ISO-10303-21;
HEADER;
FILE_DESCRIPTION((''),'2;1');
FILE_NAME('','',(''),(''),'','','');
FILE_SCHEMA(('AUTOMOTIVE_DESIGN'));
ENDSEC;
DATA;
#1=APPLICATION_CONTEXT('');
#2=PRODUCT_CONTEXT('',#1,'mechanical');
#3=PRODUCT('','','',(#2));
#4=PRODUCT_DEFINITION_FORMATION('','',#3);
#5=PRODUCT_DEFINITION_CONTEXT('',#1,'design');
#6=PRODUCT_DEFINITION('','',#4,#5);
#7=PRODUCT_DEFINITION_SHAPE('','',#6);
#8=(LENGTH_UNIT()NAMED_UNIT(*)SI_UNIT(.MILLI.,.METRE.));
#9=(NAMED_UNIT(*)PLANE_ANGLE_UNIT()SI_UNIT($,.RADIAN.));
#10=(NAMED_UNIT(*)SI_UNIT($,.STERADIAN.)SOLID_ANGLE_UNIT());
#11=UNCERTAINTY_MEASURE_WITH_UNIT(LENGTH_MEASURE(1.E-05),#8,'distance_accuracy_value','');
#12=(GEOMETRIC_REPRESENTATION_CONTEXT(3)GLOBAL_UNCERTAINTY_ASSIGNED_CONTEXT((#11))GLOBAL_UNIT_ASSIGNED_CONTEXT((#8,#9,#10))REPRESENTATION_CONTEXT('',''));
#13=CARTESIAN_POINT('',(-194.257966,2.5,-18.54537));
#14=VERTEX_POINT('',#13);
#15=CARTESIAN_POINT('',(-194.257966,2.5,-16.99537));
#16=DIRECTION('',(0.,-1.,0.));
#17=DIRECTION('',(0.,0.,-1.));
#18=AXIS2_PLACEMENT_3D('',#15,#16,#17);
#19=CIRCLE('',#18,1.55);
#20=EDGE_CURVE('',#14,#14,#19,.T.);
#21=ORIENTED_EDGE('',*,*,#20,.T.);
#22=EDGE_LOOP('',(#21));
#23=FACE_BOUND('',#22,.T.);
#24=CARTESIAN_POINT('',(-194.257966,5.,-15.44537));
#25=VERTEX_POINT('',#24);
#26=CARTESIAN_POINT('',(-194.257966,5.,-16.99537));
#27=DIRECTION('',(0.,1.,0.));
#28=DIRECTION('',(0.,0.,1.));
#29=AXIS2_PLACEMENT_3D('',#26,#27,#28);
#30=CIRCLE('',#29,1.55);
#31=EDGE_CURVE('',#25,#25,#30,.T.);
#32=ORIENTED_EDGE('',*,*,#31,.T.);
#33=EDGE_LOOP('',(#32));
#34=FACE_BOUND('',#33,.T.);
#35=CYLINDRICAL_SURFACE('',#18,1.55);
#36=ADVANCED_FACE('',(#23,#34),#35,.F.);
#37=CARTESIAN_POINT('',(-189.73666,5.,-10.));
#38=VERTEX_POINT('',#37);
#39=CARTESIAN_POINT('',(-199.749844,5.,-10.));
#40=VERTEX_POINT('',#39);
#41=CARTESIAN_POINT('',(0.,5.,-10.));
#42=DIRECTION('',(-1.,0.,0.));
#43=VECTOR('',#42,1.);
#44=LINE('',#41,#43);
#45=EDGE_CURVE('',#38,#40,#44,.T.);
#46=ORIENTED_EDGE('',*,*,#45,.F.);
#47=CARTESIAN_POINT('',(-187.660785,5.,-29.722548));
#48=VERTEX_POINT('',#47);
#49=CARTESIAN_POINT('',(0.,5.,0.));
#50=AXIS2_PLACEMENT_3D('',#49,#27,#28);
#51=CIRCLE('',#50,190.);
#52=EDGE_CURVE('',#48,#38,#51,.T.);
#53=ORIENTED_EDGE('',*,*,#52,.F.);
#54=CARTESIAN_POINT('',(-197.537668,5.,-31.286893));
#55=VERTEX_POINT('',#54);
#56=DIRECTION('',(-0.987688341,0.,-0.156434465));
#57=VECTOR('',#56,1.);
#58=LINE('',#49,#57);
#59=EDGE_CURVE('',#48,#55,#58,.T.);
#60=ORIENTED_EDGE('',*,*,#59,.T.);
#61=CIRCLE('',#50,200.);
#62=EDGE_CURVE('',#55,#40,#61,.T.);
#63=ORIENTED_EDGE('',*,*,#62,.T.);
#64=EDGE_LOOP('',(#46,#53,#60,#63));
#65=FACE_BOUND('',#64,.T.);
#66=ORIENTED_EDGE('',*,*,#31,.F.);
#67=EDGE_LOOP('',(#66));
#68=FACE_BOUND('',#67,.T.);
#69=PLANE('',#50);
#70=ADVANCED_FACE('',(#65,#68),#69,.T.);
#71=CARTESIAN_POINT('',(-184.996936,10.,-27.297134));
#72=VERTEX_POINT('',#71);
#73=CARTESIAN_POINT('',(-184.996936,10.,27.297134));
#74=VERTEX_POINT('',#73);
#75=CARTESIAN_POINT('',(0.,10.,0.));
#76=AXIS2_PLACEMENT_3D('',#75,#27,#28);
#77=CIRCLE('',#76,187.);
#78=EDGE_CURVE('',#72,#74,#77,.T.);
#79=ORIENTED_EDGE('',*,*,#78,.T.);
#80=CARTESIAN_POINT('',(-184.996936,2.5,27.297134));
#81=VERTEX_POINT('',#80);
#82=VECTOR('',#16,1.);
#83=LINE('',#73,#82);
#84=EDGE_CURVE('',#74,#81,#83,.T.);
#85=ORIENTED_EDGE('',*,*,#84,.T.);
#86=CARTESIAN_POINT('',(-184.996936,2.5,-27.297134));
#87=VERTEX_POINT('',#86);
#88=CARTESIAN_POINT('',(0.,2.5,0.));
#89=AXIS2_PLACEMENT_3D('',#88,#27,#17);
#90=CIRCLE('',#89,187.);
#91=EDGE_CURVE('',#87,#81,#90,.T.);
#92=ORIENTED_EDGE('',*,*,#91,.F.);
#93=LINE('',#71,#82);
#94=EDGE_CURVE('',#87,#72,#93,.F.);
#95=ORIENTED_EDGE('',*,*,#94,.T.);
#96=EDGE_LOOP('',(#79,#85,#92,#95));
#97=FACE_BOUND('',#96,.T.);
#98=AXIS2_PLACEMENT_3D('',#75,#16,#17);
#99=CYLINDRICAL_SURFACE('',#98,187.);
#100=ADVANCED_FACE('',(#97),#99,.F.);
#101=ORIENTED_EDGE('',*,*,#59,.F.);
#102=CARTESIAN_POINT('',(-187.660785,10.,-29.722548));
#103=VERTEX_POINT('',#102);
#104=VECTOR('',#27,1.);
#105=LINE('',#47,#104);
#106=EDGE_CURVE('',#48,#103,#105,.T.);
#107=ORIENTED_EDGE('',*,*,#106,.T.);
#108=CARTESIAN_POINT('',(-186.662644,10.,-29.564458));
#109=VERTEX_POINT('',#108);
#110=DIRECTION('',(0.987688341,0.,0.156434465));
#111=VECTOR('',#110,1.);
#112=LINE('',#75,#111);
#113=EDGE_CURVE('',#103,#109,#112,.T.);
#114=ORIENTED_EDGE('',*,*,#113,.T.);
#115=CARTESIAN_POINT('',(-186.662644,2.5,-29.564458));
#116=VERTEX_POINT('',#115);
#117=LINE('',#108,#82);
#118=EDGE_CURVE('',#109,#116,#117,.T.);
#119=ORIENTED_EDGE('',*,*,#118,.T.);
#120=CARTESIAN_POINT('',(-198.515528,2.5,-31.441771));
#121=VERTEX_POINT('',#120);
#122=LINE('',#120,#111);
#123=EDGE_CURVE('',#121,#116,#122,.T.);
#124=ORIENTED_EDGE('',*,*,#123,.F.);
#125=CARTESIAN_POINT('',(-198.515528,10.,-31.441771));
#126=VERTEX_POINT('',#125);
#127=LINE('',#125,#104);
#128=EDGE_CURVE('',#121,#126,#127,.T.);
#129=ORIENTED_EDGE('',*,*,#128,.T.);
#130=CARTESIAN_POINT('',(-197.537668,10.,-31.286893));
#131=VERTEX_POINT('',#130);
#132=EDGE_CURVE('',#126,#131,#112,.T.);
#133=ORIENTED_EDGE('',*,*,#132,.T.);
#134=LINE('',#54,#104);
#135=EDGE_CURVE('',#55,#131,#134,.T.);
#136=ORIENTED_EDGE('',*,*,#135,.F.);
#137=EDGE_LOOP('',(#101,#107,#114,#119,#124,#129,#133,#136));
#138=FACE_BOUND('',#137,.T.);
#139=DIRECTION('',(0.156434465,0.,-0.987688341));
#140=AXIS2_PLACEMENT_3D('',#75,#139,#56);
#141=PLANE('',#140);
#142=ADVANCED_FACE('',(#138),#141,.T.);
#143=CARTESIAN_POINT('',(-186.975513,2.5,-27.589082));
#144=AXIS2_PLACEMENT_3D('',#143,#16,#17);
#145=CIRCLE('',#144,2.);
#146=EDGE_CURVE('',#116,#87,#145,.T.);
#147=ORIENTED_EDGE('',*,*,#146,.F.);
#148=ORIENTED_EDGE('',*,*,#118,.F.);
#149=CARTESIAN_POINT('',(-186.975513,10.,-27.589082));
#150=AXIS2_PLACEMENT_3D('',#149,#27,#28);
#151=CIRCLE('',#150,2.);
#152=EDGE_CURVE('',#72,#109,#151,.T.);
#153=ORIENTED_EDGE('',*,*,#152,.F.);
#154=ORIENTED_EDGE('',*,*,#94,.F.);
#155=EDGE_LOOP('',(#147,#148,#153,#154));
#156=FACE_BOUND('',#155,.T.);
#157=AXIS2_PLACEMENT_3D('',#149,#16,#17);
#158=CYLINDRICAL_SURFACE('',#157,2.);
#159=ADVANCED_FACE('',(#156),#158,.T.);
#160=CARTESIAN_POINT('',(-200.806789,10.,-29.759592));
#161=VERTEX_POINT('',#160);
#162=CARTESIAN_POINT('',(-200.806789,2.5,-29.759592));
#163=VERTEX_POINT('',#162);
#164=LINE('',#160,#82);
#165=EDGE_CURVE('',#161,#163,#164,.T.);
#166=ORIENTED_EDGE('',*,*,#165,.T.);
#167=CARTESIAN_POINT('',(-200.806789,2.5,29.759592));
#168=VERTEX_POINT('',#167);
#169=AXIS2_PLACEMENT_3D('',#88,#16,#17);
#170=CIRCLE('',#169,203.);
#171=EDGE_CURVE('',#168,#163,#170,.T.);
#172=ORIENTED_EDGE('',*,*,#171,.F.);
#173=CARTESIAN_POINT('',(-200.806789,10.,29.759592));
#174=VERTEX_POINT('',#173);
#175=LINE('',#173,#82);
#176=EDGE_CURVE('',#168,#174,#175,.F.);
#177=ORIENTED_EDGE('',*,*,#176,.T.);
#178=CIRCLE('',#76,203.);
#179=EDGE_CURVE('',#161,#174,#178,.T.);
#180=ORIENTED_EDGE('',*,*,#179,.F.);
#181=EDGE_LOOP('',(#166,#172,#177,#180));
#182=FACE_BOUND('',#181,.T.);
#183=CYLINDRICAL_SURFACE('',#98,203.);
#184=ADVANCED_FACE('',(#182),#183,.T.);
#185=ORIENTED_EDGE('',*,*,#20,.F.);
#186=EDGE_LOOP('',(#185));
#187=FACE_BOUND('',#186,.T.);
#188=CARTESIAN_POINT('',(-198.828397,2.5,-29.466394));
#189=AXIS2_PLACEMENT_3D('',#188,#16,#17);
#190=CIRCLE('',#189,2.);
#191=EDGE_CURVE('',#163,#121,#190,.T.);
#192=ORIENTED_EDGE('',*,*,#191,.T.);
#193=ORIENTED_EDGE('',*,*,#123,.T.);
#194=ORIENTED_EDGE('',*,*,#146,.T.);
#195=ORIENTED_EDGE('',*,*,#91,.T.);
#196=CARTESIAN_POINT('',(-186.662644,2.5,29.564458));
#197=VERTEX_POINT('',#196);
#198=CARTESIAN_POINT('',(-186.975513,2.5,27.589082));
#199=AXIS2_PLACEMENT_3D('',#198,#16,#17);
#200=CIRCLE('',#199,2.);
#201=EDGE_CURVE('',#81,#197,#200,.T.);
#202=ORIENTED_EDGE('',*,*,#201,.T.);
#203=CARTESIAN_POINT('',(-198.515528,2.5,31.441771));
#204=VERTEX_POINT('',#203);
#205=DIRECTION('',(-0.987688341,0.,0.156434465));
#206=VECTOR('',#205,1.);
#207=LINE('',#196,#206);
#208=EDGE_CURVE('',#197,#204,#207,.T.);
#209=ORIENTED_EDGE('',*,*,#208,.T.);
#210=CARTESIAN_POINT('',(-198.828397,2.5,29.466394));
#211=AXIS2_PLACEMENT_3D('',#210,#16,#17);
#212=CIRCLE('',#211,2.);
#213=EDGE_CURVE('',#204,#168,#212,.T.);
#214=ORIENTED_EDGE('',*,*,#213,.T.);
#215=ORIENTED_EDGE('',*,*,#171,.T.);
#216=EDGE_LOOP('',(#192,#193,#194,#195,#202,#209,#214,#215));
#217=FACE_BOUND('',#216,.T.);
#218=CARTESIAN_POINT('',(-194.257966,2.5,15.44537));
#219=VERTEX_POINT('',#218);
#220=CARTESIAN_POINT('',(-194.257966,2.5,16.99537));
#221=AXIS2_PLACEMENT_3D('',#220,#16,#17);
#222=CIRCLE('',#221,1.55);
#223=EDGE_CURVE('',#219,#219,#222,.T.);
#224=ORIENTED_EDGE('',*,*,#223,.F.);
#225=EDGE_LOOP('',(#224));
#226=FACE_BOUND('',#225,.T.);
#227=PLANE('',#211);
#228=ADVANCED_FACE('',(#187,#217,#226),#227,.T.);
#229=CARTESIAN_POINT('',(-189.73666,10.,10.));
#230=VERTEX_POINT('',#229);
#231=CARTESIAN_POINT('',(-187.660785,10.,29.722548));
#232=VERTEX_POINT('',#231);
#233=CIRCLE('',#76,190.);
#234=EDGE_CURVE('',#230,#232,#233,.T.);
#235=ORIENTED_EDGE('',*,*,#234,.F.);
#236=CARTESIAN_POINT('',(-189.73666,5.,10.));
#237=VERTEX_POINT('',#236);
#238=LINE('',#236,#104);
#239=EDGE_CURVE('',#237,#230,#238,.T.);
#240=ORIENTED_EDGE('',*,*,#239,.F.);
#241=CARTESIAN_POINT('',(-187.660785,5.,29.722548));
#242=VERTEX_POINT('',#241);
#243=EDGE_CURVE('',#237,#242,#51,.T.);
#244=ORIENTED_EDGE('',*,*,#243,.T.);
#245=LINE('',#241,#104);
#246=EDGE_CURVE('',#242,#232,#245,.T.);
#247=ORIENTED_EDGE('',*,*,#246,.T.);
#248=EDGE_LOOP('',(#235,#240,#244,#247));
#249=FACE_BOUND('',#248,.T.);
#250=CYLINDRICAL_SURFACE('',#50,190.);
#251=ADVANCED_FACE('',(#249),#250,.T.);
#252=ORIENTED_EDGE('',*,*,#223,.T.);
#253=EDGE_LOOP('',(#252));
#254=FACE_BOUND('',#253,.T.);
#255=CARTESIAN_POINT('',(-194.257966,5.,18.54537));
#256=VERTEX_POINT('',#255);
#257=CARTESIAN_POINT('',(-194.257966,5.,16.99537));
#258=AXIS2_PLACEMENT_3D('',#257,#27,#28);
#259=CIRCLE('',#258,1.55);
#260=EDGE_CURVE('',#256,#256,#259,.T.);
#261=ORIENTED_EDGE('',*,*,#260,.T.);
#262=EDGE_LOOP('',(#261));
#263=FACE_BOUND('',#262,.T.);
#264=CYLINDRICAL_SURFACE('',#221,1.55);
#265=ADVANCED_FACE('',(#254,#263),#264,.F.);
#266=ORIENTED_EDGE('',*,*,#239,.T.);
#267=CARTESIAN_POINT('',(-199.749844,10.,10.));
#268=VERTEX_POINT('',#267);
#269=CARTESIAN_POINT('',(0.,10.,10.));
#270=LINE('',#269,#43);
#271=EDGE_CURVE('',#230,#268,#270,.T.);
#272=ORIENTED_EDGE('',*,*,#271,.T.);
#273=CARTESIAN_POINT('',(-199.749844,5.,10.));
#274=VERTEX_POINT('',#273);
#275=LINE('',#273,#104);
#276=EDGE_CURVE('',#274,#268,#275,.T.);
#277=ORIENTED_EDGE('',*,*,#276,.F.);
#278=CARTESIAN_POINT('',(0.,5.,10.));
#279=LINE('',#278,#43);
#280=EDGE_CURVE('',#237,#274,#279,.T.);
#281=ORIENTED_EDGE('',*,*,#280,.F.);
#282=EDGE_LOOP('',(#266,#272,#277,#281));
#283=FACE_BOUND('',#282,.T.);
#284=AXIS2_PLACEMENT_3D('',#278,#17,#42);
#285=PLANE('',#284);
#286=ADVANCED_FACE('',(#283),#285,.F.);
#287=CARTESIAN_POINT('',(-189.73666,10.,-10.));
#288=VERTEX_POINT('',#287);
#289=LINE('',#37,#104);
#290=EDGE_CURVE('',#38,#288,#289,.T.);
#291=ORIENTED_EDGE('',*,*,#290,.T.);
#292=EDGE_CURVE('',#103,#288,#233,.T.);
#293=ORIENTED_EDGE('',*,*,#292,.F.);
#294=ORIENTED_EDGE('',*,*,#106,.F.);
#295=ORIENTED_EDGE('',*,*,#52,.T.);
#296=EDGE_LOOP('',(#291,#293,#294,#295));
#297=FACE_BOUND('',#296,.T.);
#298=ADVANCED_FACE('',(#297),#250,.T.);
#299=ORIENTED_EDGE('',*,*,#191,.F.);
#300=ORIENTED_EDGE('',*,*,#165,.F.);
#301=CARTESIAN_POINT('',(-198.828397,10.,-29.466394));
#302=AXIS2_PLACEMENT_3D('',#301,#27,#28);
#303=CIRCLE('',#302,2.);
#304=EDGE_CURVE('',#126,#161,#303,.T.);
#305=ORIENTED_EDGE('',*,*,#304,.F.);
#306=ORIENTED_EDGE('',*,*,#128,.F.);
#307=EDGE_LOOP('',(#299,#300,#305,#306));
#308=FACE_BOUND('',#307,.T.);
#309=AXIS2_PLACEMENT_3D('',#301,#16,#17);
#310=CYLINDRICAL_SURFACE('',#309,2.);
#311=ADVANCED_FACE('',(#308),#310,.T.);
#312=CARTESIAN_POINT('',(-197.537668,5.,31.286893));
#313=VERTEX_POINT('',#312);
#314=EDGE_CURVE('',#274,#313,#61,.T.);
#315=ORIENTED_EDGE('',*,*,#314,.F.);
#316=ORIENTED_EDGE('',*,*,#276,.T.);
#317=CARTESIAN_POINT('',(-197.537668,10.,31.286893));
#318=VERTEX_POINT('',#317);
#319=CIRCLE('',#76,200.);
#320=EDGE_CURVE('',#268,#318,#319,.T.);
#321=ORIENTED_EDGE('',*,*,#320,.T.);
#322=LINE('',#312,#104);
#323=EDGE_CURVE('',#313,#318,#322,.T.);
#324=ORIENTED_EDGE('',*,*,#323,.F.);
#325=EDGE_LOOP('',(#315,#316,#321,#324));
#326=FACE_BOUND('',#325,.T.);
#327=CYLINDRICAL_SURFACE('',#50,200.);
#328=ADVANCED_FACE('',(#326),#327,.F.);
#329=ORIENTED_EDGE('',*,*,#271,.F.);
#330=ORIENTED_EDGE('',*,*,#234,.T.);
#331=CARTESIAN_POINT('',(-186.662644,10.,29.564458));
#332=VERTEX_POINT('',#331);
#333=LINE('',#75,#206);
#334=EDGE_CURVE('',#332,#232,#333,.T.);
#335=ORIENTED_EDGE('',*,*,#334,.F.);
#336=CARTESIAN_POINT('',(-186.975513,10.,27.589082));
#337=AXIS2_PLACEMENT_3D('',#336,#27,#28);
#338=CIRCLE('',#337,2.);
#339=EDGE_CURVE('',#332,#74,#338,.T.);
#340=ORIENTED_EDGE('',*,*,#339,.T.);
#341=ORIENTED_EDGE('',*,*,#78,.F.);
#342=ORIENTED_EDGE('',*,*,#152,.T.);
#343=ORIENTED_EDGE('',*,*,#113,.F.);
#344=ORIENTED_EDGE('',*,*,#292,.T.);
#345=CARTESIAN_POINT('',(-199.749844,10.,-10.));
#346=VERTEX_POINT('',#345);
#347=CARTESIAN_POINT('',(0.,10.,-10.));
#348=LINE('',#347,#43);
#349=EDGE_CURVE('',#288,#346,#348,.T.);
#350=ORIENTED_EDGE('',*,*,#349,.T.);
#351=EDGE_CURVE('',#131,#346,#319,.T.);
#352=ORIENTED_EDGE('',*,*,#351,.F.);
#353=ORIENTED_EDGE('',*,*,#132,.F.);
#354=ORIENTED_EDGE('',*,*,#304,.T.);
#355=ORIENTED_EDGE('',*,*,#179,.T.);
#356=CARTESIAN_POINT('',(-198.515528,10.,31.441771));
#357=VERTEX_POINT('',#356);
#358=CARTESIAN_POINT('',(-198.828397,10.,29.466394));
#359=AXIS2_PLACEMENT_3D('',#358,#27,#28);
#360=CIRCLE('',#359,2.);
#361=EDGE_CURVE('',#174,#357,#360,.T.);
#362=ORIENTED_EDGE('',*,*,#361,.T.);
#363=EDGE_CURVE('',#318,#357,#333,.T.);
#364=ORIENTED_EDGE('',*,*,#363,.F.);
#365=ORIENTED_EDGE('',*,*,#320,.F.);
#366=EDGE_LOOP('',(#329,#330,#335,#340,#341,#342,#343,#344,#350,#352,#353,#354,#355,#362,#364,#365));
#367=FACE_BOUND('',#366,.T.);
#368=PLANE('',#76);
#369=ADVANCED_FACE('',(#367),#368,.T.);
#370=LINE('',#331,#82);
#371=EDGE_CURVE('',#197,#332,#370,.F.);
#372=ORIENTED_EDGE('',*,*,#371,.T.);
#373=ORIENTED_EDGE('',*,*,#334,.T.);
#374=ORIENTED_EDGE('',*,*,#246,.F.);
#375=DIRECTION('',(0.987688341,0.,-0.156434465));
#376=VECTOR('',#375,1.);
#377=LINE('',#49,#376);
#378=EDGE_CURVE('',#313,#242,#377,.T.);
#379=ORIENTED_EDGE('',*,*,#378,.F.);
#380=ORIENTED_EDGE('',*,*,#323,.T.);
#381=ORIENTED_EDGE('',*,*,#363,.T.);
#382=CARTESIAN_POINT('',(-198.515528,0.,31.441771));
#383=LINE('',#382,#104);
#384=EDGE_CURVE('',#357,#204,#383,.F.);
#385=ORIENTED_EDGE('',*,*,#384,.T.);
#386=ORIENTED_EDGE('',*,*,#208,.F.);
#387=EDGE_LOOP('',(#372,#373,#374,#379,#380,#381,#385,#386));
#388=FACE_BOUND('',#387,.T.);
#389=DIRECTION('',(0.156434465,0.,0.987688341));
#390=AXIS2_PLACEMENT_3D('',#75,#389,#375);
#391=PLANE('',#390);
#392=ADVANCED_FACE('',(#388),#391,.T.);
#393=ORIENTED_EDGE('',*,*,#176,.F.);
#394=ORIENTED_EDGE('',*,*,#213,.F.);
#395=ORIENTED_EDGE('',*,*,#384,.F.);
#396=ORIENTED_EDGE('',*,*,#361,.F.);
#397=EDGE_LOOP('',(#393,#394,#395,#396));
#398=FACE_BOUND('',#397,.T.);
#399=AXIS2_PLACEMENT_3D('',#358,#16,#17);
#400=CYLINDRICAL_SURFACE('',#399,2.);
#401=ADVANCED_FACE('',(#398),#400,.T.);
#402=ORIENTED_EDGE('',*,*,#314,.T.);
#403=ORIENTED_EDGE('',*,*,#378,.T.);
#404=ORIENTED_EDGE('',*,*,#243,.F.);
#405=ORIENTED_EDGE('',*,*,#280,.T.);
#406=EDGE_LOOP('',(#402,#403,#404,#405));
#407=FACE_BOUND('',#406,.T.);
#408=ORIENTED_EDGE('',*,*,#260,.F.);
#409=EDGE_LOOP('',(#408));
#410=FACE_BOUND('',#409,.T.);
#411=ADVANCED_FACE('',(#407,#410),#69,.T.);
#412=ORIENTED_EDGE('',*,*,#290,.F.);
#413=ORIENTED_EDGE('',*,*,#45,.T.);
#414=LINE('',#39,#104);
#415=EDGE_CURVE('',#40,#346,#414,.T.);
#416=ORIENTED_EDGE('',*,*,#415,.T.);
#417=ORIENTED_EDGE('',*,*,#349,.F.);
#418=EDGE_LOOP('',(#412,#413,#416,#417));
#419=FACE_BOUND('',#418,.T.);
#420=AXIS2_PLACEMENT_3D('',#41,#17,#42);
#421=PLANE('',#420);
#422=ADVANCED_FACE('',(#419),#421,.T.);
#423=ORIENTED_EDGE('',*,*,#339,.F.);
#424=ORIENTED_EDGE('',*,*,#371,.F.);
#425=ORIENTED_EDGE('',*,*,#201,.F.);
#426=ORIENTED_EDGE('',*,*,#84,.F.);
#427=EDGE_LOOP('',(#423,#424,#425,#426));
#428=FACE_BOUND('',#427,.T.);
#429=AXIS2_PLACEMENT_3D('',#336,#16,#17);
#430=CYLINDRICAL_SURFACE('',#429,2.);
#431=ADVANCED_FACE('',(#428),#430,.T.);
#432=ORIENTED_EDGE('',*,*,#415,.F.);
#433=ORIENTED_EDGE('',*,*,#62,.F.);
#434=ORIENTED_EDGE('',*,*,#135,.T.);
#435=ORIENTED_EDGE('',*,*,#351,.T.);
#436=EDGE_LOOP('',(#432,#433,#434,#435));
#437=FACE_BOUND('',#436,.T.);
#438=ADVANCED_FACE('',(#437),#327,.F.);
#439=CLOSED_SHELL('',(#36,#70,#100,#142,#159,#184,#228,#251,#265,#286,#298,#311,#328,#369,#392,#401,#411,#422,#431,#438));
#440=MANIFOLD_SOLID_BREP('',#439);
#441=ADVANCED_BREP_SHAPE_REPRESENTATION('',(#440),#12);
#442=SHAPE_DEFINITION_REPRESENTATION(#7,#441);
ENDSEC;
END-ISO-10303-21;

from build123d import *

# Parameters (mm, degrees)
BOSS_EXTRUDE1_DEPTH        = 10
CUT_EXTRUDE1_DEPTH         = 5
FILLET1_R                  = 2
CUT_EXTRUDE2_START         = -2.5
CUT_EXTRUDE2_DEPTH         = 2.5
F_3_1_3_1_DIAMETER_HOLE1_D = 3.1


with BuildPart() as part:
    # Sketch1 → Boss-Extrude1 (new body)
    with BuildSketch(Plane(origin=(0, 0, 0), x_dir=(1, 0, 0), z_dir=(0, 1, 0))):
        with BuildLine():
            ThreePointArc((-187.660784713, 29.722548358), (-190, 0), (-187.660784713, -29.722548358))
            Line((-187.660784713, -29.722548358), (-197.537668119, -31.286893008))
            ThreePointArc((-197.537668119, -31.286893008), (-200, 0), (-197.537668119, 31.286893008))
            Line((-197.537668119, 31.286893008), (-187.660784713, 29.722548358))
        make_face()
        with BuildLine():
            ThreePointArc((-197.537668119, -31.286893008), (-200, 0), (-197.537668119, 31.286893008))
            Line((-197.537668119, 31.286893008), (-200.500733141, 31.756196403))
            ThreePointArc((-200.500733141, 31.756196403), (-203, 0), (-200.500733141, -31.756196403))
            Line((-200.500733141, -31.756196403), (-197.537668119, -31.286893008))
        make_face()
        with BuildLine():
            Line((-184.697719691, 29.253244963), (-187.660784713, 29.722548358))
            ThreePointArc((-187.660784713, 29.722548358), (-190, 0), (-187.660784713, -29.722548358))
            Line((-187.660784713, -29.722548358), (-184.697719691, -29.253244963))
            ThreePointArc((-184.697719691, -29.253244963), (-187, 0), (-184.697719691, 29.253244963))
        make_face()
    extrude(amount=BOSS_EXTRUDE1_DEPTH)

    # Sketch15 → Cut-Extrude1 (cut)
    with BuildSketch(Plane(origin=(0, 10, 0), x_dir=(1, 0, 0), z_dir=(0, 1, 0))):
        with BuildLine():
            Line((-199.749843554, 10), (-189.73665961, 10))
            ThreePointArc((-189.73665961, 10), (-188.956218405, 19.88837666), (-187.660784713, 29.722548358))
            Line((-187.660784713, 29.722548358), (-197.537668119, 31.286893008))
            ThreePointArc((-197.537668119, 31.286893008), (-198.928692466, 20.673057674), (-199.749843554, 10))
        make_face()
        with BuildLine():
            ThreePointArc((-187.660784713, -29.722548358), (-188.956218405, -19.88837666), (-189.73665961, -10))
            Line((-189.73665961, -10), (-199.749843554, -10))
            ThreePointArc((-199.749843554, -10), (-198.928692466, -20.673057674), (-197.537668119, -31.286893008))
            Line((-197.537668119, -31.286893008), (-187.660784713, -29.722548358))
        make_face()
    extrude(amount=-CUT_EXTRUDE1_DEPTH, mode=Mode.SUBTRACT)

    # Fillet1
    fillet1_edges = [part.edges().sort_by_distance(p)[0] for p in [
        (-200.500733141, 5, 31.756196403),
        (-200.500733141, 5, -31.756196403),
        (-184.697719691, 5, -29.253244963),
        (-184.697719691, 5, 29.253244963),
    ]]
    fillet(fillet1_edges, radius=FILLET1_R)

    # Sketch19 → Cut-Extrude2 (cut)
    with BuildSketch(Plane.XZ.offset(CUT_EXTRUDE2_START)):
        with BuildLine():
            Line((-198.515528472, -31.441770873), (-186.662644351, -29.564458455))
            ThreePointArc((-186.662644351, -29.564458455), (-185.363721979, -28.773196969), (-184.996936421, -27.297133819))
            ThreePointArc((-184.996936421, -27.297133819), (-187, 0), (-184.996936421, 27.297133819))
            ThreePointArc((-184.996936421, 27.297133819), (-185.363721979, 28.773196969), (-186.662644351, 29.564458455))
            Line((-186.662644351, 29.564458455), (-198.515528472, 31.441770873))
            ThreePointArc((-198.515528472, 31.441770873), (-200.012003377, 31.078559473), (-200.806789416, 29.759592144))
            ThreePointArc((-200.806789416, 29.759592144), (-203, 0), (-200.806789416, -29.759592144))
            ThreePointArc((-200.806789416, -29.759592144), (-200.012003377, -31.078559473), (-198.515528472, -31.441770873))
        make_face()
    extrude(amount=CUT_EXTRUDE2_DEPTH, mode=Mode.SUBTRACT)

    # Ø3.1 (3.1) Diameter Hole1 (through all)
    with Locations(Plane(origin=(0, 2.5, 0), x_dir=(-1, 0, 0), z_dir=(0, -1, 0))):
        with Locations((194.257966128, 16.995369836), (194.257966128, -16.995369836)):
            Hole(F_3_1_3_1_DIAMETER_HOLE1_D / 2)


solid = part.part
